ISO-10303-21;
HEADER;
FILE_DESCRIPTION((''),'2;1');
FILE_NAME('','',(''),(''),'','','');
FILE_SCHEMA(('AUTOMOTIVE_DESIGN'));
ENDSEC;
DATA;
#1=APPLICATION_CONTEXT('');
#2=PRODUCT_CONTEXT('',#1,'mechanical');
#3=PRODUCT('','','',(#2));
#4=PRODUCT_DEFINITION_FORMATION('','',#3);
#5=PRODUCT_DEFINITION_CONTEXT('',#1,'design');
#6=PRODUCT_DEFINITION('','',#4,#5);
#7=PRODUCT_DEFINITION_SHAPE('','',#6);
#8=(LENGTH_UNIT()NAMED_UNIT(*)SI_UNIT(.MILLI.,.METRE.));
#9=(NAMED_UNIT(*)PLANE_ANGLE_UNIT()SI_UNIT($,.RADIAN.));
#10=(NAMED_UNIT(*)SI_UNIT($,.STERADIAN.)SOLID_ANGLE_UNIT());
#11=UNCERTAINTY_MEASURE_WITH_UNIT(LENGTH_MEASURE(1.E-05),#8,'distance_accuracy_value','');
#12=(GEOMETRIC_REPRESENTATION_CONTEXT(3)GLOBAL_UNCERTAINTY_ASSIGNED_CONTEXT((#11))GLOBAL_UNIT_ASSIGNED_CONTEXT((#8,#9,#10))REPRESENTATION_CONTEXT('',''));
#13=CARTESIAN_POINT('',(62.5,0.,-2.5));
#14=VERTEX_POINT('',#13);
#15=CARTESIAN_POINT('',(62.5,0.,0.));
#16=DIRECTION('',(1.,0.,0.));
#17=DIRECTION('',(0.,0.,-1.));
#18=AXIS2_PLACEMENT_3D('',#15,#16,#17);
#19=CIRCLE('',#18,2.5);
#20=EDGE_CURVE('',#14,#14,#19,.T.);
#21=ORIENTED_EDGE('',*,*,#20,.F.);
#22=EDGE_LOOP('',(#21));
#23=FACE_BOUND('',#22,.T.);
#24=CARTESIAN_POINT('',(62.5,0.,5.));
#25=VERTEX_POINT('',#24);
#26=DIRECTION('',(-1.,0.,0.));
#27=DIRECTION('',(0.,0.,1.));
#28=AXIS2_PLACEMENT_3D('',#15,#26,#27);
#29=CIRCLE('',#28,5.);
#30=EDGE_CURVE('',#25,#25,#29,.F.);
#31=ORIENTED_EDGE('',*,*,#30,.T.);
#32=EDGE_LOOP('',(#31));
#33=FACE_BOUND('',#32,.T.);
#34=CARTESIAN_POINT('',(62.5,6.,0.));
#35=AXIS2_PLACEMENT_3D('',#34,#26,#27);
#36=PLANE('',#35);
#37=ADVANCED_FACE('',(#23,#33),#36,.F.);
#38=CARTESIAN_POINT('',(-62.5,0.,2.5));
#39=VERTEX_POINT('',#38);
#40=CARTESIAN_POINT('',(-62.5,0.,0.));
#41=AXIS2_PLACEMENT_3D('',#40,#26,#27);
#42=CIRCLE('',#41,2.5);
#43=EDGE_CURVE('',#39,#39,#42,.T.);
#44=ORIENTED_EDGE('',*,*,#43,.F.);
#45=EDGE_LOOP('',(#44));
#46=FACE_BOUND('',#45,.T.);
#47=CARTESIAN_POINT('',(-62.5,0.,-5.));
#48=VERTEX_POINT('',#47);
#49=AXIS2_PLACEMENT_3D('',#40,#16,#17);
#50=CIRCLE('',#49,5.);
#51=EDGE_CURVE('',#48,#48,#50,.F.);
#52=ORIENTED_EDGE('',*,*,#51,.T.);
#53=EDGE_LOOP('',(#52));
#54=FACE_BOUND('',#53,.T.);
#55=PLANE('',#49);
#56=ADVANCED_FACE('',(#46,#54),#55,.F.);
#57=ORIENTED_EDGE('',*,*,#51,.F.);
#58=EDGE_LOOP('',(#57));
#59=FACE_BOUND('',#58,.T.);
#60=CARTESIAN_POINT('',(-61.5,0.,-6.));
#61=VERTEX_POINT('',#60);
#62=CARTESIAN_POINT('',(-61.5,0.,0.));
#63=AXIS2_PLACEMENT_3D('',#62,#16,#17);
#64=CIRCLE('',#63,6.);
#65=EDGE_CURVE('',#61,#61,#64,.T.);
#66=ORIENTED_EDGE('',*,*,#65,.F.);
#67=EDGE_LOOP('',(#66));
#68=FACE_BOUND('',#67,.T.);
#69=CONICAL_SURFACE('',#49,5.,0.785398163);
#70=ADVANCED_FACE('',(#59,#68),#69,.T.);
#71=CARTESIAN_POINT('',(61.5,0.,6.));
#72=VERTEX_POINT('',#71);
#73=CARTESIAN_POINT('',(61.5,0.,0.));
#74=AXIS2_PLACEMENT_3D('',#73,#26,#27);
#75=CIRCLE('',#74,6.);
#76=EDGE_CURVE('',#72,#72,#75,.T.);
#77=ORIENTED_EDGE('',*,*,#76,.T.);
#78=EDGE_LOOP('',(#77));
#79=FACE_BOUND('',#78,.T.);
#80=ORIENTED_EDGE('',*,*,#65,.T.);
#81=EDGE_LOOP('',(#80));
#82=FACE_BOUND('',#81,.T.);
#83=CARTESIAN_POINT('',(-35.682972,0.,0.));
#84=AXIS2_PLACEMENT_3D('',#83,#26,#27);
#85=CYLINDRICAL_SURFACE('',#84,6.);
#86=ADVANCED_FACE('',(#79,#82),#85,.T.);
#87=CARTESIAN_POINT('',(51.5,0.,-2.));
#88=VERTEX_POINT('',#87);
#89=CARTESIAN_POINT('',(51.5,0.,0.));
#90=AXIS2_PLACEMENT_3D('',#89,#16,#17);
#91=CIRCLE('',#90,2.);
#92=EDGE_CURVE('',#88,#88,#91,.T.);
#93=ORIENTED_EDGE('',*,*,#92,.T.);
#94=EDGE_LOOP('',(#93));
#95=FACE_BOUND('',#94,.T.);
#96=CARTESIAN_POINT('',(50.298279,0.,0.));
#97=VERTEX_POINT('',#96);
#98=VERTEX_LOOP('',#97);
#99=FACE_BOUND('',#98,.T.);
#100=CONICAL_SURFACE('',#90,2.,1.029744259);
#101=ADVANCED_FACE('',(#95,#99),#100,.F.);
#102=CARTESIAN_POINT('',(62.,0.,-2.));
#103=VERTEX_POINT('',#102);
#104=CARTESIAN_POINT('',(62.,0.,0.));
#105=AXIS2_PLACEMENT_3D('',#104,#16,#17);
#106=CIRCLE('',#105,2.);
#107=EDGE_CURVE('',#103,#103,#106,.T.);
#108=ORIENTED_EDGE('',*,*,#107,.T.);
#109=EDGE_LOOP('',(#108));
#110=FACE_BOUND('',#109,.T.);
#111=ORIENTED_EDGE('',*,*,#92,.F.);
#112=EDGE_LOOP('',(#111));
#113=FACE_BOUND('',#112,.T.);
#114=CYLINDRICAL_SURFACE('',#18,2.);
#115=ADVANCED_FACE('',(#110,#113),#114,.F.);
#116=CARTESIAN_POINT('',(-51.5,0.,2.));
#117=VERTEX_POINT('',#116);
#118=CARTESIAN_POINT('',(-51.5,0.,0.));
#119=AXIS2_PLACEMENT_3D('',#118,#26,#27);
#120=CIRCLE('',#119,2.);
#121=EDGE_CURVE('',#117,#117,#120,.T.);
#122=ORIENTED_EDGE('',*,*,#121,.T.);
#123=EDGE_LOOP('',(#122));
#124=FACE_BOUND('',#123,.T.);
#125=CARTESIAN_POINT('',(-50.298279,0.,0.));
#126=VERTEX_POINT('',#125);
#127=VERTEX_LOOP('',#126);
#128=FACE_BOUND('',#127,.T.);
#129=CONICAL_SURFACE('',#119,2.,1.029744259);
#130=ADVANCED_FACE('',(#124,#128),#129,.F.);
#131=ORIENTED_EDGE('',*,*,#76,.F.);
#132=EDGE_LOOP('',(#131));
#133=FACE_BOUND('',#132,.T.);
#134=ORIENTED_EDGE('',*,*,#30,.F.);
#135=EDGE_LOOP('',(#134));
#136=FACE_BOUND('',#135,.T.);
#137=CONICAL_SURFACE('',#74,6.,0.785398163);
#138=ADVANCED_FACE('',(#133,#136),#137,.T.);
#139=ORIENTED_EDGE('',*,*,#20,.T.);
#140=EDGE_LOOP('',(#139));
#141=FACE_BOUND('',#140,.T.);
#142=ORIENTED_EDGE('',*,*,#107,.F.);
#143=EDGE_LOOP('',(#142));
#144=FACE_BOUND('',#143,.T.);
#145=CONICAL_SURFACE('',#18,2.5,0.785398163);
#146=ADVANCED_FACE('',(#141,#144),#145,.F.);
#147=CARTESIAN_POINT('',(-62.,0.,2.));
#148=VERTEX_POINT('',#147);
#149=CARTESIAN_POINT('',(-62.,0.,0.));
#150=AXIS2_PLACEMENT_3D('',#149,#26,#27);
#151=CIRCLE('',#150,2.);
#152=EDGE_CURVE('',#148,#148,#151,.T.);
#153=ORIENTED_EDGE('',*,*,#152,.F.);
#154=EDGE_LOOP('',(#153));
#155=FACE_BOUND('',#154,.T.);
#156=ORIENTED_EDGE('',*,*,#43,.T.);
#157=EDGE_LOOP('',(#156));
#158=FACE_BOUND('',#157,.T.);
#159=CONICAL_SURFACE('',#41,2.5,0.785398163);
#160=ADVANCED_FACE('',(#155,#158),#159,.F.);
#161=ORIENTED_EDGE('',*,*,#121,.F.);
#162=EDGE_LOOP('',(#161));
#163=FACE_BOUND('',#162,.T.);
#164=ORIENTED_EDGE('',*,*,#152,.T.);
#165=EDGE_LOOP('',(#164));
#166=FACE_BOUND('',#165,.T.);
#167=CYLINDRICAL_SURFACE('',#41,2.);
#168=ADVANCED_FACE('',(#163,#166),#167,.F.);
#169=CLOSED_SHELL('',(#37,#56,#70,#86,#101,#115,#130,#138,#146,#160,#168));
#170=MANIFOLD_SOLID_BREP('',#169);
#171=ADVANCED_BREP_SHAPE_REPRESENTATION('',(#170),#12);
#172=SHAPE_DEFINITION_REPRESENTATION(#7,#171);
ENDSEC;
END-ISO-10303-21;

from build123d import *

# Parameters (mm, degrees)
ESQUISSE1_W                                       = 125
ESQUISSE1_H                                       = 6
CHANFREIN1_SIZE                                   = 1
DIAM_TRE_DU_PER_AGE_4_0_4_1_D                     = 4
DIAM_TRE_DU_PER_AGE_4_0_4_1_DEPTH                 = 11
DIAM_TRE_DU_PER_AGE_4_0_4_1_CSINK_D               = 5
DIAM_TRE_DU_PER_AGE_4_0_4_1_CSINK_ANGLE           = 90
DIAM_TRE_DU_PER_AGE_4_0_4_1_TIP                   = 1.201721238
DIAM_TRE_DU_PER_AGE_4_0_4_1_ON_FACE_2_D           = 4
DIAM_TRE_DU_PER_AGE_4_0_4_1_ON_FACE_2_DEPTH       = 11
DIAM_TRE_DU_PER_AGE_4_0_4_1_ON_FACE_2_CSINK_D     = 5
DIAM_TRE_DU_PER_AGE_4_0_4_1_ON_FACE_2_CSINK_ANGLE = 90
DIAM_TRE_DU_PER_AGE_4_0_4_1_ON_FACE_2_TIP         = 1.201721238


with BuildPart() as part:
    # Esquisse1 → Révolution1 (revolve)
    with BuildSketch(Plane.XY, mode=Mode.PRIVATE) as r_volution1_sk:
        with Locations((0, 3)):
            Rectangle(ESQUISSE1_W, ESQUISSE1_H)
    revolve(r_volution1_sk.sketch.rotate(Axis((-35.682971619, 0, 0), (1, 0, 0)), 90), axis=Axis((-35.682971619, 0, 0), (1, 0, 0)))

    # Chanfrein1
    chanfrein1_edges = [part.edges().sort_by_distance(p)[0] for p in [
        (62.5, 0, -6),
        (-62.5, 0, -6),
    ]]
    chamfer(chanfrein1_edges, length=CHANFREIN1_SIZE)

    # Diamètre du perçage Ø4.0 (4)1
    with Locations(Plane(origin=(62.5, 0, 0), x_dir=(0, 0, 1), z_dir=(1, 0, 0))):
        with Locations((0, 0)):
            CounterSinkHole(DIAM_TRE_DU_PER_AGE_4_0_4_1_D / 2, DIAM_TRE_DU_PER_AGE_4_0_4_1_CSINK_D / 2, depth=DIAM_TRE_DU_PER_AGE_4_0_4_1_DEPTH, counter_sink_angle=DIAM_TRE_DU_PER_AGE_4_0_4_1_CSINK_ANGLE)
            with Locations((0, 0, -(DIAM_TRE_DU_PER_AGE_4_0_4_1_DEPTH + DIAM_TRE_DU_PER_AGE_4_0_4_1_TIP / 2))):  # 118° drill point
                Cone(0, DIAM_TRE_DU_PER_AGE_4_0_4_1_D / 2, DIAM_TRE_DU_PER_AGE_4_0_4_1_TIP, mode=Mode.SUBTRACT)

    # Diamètre du perçage Ø4.0 (4)1 on face 2
    with Locations(Plane(origin=(-62.5, 0, 0), x_dir=(0, 0, -1), z_dir=(-1, 0, 0))):
        with Locations((0, 0)):
            CounterSinkHole(DIAM_TRE_DU_PER_AGE_4_0_4_1_ON_FACE_2_D / 2, DIAM_TRE_DU_PER_AGE_4_0_4_1_ON_FACE_2_CSINK_D / 2, depth=DIAM_TRE_DU_PER_AGE_4_0_4_1_ON_FACE_2_DEPTH, counter_sink_angle=DIAM_TRE_DU_PER_AGE_4_0_4_1_ON_FACE_2_CSINK_ANGLE)
            with Locations((0, 0, -(DIAM_TRE_DU_PER_AGE_4_0_4_1_ON_FACE_2_DEPTH + DIAM_TRE_DU_PER_AGE_4_0_4_1_ON_FACE_2_TIP / 2))):  # 118° drill point
                Cone(0, DIAM_TRE_DU_PER_AGE_4_0_4_1_ON_FACE_2_D / 2, DIAM_TRE_DU_PER_AGE_4_0_4_1_ON_FACE_2_TIP, mode=Mode.SUBTRACT)


solid = part.part
